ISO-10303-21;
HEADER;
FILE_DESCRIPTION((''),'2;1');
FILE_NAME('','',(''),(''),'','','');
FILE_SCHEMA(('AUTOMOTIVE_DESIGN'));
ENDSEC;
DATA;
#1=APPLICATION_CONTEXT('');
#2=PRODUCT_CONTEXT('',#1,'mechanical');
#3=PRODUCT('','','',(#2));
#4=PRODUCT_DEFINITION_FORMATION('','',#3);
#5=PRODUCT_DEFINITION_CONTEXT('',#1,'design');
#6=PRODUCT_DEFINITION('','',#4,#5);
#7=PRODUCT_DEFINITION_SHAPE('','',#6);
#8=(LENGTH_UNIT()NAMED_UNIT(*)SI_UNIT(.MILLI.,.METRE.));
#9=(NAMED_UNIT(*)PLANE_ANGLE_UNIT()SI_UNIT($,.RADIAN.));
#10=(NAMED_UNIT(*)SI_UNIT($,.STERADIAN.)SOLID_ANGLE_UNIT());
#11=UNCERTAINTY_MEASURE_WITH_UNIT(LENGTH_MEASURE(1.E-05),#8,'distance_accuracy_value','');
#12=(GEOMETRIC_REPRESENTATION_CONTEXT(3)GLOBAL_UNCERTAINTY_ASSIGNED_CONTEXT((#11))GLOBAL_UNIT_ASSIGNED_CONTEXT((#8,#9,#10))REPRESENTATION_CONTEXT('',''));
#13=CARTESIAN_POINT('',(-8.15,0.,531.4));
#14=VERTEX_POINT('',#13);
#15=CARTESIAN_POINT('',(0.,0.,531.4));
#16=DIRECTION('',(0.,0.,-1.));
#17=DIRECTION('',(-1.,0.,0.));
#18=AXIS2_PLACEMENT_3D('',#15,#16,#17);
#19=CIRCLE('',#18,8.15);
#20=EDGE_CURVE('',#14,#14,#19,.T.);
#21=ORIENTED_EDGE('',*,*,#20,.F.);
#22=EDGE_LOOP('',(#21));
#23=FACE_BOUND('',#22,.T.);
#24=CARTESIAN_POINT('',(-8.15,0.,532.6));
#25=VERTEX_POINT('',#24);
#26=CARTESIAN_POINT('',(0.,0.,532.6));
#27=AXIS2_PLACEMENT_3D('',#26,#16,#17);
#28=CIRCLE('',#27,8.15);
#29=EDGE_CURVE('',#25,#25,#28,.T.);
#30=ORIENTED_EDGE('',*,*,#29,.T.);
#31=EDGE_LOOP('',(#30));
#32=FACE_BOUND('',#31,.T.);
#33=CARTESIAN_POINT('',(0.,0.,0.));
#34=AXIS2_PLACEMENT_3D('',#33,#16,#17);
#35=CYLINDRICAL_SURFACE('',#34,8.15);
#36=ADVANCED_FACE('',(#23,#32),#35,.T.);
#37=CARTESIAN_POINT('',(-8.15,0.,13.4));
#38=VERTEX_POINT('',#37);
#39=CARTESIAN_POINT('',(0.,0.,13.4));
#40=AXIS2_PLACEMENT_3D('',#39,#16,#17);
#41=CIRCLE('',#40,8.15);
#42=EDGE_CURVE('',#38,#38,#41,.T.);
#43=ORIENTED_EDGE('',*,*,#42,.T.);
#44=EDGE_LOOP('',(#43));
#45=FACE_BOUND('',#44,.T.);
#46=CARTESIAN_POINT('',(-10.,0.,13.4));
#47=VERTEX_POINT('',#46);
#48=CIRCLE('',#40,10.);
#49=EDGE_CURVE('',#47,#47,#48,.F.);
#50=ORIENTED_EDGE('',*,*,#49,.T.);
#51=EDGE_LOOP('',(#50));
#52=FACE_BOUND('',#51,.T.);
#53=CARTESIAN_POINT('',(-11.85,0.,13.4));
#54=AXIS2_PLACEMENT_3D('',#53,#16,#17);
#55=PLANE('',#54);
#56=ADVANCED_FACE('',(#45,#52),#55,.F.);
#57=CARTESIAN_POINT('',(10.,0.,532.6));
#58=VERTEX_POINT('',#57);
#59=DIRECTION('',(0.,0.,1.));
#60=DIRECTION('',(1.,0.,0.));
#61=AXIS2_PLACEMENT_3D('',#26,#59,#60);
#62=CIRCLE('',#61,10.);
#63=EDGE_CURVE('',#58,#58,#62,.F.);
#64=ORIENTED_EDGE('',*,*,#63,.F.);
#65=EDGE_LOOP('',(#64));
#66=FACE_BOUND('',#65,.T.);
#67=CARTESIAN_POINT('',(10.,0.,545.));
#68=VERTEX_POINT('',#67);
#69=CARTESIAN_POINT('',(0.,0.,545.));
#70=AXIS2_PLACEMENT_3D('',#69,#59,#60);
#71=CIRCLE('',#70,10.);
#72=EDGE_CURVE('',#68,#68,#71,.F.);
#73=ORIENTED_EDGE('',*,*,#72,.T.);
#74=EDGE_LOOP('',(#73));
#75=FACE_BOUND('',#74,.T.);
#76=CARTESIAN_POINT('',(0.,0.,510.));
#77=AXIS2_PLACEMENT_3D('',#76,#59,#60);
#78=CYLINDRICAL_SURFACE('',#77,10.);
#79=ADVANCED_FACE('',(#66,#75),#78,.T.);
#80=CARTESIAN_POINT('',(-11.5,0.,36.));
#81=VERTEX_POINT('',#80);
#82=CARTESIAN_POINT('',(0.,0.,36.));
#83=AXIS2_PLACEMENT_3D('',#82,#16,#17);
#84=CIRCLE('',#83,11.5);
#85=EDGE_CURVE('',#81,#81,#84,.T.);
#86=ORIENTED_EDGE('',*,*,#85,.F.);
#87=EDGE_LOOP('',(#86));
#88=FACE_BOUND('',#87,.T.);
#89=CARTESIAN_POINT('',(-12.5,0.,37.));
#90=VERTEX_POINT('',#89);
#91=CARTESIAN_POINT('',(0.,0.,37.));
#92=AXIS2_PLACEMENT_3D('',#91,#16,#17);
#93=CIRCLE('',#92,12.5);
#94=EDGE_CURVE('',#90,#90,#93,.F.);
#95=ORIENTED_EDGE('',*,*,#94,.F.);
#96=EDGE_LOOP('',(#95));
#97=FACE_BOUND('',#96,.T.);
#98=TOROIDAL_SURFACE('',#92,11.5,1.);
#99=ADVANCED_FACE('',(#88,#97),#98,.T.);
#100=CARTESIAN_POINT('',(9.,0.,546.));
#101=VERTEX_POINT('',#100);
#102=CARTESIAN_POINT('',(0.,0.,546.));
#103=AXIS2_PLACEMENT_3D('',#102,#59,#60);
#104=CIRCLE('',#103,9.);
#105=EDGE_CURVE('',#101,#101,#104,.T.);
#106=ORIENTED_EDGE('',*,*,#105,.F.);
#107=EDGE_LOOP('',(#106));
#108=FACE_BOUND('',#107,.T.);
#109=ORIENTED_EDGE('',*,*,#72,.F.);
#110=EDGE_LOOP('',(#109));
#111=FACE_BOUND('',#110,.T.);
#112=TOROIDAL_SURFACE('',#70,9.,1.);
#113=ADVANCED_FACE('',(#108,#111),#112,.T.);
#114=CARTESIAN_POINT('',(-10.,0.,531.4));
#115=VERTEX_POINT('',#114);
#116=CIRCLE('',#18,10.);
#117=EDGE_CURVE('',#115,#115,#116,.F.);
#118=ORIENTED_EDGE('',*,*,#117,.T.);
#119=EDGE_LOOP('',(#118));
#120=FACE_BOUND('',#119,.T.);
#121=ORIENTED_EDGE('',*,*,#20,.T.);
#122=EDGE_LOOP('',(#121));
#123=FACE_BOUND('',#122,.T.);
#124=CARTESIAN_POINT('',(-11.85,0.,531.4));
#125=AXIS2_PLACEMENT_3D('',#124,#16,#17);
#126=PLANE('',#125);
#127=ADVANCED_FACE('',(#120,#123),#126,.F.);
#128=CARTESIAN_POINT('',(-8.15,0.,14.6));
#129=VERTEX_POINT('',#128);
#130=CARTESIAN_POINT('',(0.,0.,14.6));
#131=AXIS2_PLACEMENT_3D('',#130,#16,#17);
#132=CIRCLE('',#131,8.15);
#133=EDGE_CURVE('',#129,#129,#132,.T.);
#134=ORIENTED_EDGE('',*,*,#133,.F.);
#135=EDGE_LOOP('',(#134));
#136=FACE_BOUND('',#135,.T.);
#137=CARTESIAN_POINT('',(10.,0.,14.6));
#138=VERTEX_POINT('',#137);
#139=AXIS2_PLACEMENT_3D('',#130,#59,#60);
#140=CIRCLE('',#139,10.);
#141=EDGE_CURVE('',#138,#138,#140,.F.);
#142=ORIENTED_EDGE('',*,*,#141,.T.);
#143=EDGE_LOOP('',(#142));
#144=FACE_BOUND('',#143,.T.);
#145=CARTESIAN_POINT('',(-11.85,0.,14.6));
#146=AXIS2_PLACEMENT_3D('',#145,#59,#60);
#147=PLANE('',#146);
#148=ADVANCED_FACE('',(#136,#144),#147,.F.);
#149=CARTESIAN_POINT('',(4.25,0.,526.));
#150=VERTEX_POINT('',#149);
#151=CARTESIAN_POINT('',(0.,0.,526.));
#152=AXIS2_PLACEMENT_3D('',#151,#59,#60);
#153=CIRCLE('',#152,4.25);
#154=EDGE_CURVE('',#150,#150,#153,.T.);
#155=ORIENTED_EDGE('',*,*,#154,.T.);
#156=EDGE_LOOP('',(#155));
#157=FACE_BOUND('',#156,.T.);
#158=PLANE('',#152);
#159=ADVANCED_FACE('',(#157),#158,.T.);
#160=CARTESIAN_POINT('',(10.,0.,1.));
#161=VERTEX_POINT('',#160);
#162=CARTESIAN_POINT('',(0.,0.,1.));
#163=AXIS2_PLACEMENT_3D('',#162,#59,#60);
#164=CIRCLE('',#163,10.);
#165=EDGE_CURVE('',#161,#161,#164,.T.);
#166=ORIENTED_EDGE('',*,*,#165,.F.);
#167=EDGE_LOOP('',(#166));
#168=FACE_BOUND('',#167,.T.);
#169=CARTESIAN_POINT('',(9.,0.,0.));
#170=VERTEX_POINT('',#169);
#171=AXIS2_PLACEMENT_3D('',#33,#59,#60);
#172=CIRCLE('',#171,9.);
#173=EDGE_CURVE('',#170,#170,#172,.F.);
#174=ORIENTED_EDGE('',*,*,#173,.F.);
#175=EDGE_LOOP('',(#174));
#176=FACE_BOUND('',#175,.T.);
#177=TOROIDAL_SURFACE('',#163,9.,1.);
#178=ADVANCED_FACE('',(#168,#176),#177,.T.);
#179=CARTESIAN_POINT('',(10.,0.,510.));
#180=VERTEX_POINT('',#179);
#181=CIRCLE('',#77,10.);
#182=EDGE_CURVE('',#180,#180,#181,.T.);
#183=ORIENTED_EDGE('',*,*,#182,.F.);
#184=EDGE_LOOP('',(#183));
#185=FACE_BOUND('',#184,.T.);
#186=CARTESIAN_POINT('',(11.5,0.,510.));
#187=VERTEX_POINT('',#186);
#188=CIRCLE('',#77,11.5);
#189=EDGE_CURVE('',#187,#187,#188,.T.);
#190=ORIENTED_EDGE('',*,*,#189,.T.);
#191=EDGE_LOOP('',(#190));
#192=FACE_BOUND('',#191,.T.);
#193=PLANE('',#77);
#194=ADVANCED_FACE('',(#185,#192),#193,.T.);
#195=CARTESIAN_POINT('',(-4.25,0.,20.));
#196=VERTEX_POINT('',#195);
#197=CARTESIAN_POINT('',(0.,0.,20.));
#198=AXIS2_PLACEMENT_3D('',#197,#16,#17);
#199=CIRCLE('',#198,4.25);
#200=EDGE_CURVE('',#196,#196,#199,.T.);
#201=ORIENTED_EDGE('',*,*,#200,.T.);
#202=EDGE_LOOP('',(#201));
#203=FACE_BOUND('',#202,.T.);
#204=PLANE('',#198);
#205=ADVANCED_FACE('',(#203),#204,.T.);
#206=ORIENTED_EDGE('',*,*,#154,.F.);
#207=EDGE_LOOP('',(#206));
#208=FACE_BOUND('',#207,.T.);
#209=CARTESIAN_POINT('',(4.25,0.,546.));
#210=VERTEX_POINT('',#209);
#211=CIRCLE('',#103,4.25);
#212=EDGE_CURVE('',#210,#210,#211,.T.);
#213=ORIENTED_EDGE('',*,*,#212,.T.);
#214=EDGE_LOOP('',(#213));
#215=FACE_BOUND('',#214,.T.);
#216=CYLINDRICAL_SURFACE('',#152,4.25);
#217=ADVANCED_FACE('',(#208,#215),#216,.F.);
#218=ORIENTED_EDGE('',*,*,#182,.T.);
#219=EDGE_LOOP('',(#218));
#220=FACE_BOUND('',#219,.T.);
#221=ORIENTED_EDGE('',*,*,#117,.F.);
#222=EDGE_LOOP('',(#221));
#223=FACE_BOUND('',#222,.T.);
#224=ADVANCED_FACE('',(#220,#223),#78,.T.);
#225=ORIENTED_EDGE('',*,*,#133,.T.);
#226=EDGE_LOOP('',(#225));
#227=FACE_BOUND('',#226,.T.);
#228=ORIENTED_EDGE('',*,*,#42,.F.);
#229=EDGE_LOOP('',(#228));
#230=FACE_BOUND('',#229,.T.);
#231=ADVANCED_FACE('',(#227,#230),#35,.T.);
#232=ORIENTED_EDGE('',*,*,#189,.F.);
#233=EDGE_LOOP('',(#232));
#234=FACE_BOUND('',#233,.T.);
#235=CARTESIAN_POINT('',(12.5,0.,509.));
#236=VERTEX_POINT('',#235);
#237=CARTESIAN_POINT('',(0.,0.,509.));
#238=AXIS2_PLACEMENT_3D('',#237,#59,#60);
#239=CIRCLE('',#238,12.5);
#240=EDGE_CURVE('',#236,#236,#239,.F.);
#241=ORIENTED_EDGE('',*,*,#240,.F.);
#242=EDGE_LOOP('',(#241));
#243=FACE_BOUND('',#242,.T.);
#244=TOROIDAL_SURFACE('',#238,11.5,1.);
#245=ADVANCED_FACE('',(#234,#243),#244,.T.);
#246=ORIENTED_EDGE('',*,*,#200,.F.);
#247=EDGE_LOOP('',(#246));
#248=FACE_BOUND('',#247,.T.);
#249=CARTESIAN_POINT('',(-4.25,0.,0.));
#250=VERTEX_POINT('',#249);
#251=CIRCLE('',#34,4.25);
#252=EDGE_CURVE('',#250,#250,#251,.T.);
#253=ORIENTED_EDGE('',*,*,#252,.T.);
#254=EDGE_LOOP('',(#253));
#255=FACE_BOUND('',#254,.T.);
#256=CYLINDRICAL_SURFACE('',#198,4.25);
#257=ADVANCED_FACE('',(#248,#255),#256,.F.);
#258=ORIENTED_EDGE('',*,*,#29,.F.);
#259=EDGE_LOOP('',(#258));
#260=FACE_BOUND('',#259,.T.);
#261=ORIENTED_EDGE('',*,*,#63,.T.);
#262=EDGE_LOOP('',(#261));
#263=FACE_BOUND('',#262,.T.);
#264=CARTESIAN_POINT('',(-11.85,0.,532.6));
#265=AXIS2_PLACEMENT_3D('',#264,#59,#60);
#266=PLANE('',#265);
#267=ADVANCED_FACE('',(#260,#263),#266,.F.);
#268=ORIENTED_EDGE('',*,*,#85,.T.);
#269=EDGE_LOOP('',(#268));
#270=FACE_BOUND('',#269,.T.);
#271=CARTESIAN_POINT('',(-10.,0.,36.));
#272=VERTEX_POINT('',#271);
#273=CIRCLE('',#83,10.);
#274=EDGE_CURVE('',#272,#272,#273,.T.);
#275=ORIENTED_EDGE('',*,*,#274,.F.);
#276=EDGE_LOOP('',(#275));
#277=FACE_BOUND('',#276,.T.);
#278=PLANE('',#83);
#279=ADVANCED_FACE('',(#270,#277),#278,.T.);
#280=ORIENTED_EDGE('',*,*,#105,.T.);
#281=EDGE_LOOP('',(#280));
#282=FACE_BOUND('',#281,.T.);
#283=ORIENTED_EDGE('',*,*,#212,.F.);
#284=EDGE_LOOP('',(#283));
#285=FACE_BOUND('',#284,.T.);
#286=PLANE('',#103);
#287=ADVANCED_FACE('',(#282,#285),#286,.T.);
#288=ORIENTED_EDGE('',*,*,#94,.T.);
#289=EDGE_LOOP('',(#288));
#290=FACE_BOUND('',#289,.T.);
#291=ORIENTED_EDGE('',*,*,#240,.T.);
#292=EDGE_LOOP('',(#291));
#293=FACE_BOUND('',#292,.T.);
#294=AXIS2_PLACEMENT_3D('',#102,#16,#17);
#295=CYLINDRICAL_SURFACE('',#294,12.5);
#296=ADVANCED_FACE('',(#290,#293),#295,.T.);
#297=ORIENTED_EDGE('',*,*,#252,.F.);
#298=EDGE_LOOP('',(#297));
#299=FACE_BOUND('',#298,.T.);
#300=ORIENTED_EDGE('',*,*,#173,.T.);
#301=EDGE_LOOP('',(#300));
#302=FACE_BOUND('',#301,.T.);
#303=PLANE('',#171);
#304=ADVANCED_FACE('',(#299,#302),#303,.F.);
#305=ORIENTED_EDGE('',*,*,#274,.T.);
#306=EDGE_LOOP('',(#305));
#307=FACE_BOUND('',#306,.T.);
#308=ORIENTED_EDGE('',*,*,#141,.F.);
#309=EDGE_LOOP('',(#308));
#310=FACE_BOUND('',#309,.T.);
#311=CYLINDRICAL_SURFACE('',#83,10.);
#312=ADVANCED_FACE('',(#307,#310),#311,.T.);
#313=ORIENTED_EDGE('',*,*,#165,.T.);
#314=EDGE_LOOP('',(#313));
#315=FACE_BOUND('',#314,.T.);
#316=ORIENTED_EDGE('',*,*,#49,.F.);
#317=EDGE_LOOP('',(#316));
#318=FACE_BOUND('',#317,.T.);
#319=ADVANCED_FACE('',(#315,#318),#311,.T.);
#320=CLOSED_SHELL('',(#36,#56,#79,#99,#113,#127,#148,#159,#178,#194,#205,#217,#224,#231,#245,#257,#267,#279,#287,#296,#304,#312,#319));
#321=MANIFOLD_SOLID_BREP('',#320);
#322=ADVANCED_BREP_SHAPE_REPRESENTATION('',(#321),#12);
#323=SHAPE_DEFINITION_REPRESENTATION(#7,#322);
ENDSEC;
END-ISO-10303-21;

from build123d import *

# Parameters (mm, degrees)
IZIM1_R                     = 12.5
Y_KSEKLIK_EKSTR_ZYON1_DEPTH = 546
IZIM2_R                     = 4.25
KES_EKSTR_ZYON1_DEPTH       = 20
KES_EKSTR_ZYON2_START       = -20
IZIM3_R                     = 4.25
KES_EKSTR_ZYON2_DEPTH       = 20
KES_EKSTR_ZYON3_START       = -36
IZIM4_R                     = 12.5
IZIM4_R_2                   = 10
KES_EKSTR_ZYON3_DEPTH       = 36
IZIM5_R                     = 12.5
IZIM5_R_2                   = 10
KES_EKSTR_ZYON4_DEPTH       = 36
IZIM8_W                     = 3.7
IZIM8_H                     = 1.2
RADYUS1_R                   = 1


with BuildPart() as part:
    # Çizim1 → Yükseklik-Ekstrüzyon1 (new body)
    with BuildSketch(Plane.XY):
        Circle(IZIM1_R)
    extrude(amount=Y_KSEKLIK_EKSTR_ZYON1_DEPTH)

    # Çizim2 → Kes-Ekstrüzyon1 (cut)
    with BuildSketch(Plane.XY.offset(546)):
        Circle(IZIM2_R)
    extrude(amount=-KES_EKSTR_ZYON1_DEPTH, mode=Mode.SUBTRACT)

    # Çizim3 → Kes-Ekstrüzyon2 (cut)
    with BuildSketch(Plane(origin=(0, 0, 0), x_dir=(-1, 0, 0), z_dir=(0, 0, -1)).offset(KES_EKSTR_ZYON2_START)):
        with Locations(Location((0, 0, 0), (0, 0, 180))):
            Circle(IZIM3_R)
    extrude(amount=KES_EKSTR_ZYON2_DEPTH, mode=Mode.SUBTRACT)

    # Çizim4 → Kes-Ekstrüzyon3 (cut)
    with BuildSketch(Plane.XY.offset(546).offset(KES_EKSTR_ZYON3_START)):
        Circle(IZIM4_R)
        Circle(IZIM4_R_2, mode=Mode.SUBTRACT)
    extrude(amount=KES_EKSTR_ZYON3_DEPTH, mode=Mode.SUBTRACT)

    # Çizim5 → Kes-Ekstrüzyon4 (cut)
    with BuildSketch(Plane(origin=(0, 0, 0), x_dir=(-1, 0, 0), z_dir=(0, 0, -1))):
        Circle(IZIM5_R)
        with Locations(Location((0, 0, 0), (0, 0, 180))):
            Circle(IZIM5_R_2, mode=Mode.SUBTRACT)
    extrude(amount=-KES_EKSTR_ZYON4_DEPTH, mode=Mode.SUBTRACT)

    # Çizim8 → Kes-Döndür1 (revolve, cut)
    with BuildSketch(Plane(origin=(0, 0, 0), x_dir=(1, 0, 0), z_dir=(0, 1, 0))):
        with Locations((-10, -14)):
            Rectangle(IZIM8_W, IZIM8_H)
        with Locations((-10, -532)):
            Rectangle(IZIM8_W, IZIM8_H)
    revolve(axis=Axis((0, 0, 0), (0, 0, 1)), mode=Mode.SUBTRACT)

    # Radyus1
    radyus1_edges = [part.edges().sort_by_distance(p)[0] for p in [
        (-12.5, 0, 510),
        (-10, 0, 546),
        (-12.5, 0, 36),
        (-10, 0, 0),
    ]]
    fillet(radyus1_edges, radius=RADYUS1_R)


solid = part.part
